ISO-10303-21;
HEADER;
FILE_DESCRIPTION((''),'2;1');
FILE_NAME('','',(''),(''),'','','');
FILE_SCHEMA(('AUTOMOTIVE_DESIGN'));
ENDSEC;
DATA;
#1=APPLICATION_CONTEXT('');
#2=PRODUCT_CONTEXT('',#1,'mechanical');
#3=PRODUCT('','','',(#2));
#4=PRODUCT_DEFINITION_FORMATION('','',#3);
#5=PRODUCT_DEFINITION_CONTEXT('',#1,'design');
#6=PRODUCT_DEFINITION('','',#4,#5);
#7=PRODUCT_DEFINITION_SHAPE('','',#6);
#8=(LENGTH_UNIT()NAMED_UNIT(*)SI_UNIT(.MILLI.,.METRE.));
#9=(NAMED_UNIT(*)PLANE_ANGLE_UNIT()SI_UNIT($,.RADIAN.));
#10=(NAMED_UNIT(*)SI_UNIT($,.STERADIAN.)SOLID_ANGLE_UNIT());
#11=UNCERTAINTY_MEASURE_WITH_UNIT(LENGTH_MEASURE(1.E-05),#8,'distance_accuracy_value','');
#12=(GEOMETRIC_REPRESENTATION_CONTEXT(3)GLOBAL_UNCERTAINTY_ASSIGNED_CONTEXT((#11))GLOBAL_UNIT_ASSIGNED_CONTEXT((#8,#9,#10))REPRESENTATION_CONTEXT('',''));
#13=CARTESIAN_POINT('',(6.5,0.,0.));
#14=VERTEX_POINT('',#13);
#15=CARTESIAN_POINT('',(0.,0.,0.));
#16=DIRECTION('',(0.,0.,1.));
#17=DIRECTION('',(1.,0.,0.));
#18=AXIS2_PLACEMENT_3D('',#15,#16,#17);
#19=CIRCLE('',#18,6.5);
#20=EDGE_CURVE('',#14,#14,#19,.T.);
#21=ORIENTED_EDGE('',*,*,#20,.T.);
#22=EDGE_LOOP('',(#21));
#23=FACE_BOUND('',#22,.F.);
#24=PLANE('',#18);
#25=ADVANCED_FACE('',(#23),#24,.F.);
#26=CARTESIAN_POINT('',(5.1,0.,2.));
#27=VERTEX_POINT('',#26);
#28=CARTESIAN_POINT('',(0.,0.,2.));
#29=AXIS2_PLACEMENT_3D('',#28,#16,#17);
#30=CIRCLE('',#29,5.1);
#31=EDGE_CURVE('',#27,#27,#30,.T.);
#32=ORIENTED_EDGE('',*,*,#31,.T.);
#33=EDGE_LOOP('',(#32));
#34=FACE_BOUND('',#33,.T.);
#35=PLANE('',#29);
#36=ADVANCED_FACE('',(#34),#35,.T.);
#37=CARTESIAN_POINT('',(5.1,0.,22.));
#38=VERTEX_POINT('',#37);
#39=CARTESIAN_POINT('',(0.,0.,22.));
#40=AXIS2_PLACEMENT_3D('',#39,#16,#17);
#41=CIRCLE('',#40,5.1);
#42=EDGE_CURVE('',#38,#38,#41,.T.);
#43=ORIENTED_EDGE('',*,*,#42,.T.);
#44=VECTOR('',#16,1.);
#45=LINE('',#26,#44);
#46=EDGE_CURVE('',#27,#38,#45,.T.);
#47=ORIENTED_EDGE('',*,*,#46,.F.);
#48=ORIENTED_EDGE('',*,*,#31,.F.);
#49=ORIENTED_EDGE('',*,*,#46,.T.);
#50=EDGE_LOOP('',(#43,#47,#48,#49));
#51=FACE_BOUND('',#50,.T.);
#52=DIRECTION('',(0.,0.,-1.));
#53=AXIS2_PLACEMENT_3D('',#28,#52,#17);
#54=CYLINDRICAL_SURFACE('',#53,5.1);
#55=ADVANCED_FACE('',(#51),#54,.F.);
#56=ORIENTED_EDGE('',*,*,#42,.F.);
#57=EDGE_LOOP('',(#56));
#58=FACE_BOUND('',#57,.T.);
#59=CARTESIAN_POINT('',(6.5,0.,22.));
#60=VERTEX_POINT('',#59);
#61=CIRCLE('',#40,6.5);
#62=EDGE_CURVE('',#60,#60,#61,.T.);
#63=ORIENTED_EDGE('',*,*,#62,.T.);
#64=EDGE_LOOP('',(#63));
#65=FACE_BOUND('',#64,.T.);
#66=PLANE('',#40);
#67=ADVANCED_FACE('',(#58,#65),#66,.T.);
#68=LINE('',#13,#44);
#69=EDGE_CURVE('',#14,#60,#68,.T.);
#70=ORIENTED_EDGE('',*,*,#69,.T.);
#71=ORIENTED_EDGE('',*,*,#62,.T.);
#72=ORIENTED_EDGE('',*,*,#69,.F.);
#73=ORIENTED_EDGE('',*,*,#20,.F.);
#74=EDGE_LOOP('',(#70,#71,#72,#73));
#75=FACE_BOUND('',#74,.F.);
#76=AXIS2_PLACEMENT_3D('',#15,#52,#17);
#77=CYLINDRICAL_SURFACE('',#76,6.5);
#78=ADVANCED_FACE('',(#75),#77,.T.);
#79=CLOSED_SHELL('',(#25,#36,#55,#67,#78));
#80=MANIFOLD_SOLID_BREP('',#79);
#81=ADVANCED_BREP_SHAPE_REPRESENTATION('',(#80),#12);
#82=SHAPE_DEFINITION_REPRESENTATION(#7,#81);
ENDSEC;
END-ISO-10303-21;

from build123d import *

# Parameters (mm, degrees)
F1_R     = 6.5
F2_DEPTH = 22
F3_START = 2
F0_R     = 5.1
F3_DEPTH = 20


with BuildPart() as f2:
    # F1 (on Top) → F2 (new body)
    with BuildSketch(Plane.XY):
        Circle(F1_R)
    extrude(amount=F2_DEPTH)

    # F0 (on Top) → F3 (cut)
    with BuildSketch(Plane.XY.offset(F3_START)):
        Circle(F0_R)
    extrude(amount=F3_DEPTH, mode=Mode.SUBTRACT)


solid = f2.part
